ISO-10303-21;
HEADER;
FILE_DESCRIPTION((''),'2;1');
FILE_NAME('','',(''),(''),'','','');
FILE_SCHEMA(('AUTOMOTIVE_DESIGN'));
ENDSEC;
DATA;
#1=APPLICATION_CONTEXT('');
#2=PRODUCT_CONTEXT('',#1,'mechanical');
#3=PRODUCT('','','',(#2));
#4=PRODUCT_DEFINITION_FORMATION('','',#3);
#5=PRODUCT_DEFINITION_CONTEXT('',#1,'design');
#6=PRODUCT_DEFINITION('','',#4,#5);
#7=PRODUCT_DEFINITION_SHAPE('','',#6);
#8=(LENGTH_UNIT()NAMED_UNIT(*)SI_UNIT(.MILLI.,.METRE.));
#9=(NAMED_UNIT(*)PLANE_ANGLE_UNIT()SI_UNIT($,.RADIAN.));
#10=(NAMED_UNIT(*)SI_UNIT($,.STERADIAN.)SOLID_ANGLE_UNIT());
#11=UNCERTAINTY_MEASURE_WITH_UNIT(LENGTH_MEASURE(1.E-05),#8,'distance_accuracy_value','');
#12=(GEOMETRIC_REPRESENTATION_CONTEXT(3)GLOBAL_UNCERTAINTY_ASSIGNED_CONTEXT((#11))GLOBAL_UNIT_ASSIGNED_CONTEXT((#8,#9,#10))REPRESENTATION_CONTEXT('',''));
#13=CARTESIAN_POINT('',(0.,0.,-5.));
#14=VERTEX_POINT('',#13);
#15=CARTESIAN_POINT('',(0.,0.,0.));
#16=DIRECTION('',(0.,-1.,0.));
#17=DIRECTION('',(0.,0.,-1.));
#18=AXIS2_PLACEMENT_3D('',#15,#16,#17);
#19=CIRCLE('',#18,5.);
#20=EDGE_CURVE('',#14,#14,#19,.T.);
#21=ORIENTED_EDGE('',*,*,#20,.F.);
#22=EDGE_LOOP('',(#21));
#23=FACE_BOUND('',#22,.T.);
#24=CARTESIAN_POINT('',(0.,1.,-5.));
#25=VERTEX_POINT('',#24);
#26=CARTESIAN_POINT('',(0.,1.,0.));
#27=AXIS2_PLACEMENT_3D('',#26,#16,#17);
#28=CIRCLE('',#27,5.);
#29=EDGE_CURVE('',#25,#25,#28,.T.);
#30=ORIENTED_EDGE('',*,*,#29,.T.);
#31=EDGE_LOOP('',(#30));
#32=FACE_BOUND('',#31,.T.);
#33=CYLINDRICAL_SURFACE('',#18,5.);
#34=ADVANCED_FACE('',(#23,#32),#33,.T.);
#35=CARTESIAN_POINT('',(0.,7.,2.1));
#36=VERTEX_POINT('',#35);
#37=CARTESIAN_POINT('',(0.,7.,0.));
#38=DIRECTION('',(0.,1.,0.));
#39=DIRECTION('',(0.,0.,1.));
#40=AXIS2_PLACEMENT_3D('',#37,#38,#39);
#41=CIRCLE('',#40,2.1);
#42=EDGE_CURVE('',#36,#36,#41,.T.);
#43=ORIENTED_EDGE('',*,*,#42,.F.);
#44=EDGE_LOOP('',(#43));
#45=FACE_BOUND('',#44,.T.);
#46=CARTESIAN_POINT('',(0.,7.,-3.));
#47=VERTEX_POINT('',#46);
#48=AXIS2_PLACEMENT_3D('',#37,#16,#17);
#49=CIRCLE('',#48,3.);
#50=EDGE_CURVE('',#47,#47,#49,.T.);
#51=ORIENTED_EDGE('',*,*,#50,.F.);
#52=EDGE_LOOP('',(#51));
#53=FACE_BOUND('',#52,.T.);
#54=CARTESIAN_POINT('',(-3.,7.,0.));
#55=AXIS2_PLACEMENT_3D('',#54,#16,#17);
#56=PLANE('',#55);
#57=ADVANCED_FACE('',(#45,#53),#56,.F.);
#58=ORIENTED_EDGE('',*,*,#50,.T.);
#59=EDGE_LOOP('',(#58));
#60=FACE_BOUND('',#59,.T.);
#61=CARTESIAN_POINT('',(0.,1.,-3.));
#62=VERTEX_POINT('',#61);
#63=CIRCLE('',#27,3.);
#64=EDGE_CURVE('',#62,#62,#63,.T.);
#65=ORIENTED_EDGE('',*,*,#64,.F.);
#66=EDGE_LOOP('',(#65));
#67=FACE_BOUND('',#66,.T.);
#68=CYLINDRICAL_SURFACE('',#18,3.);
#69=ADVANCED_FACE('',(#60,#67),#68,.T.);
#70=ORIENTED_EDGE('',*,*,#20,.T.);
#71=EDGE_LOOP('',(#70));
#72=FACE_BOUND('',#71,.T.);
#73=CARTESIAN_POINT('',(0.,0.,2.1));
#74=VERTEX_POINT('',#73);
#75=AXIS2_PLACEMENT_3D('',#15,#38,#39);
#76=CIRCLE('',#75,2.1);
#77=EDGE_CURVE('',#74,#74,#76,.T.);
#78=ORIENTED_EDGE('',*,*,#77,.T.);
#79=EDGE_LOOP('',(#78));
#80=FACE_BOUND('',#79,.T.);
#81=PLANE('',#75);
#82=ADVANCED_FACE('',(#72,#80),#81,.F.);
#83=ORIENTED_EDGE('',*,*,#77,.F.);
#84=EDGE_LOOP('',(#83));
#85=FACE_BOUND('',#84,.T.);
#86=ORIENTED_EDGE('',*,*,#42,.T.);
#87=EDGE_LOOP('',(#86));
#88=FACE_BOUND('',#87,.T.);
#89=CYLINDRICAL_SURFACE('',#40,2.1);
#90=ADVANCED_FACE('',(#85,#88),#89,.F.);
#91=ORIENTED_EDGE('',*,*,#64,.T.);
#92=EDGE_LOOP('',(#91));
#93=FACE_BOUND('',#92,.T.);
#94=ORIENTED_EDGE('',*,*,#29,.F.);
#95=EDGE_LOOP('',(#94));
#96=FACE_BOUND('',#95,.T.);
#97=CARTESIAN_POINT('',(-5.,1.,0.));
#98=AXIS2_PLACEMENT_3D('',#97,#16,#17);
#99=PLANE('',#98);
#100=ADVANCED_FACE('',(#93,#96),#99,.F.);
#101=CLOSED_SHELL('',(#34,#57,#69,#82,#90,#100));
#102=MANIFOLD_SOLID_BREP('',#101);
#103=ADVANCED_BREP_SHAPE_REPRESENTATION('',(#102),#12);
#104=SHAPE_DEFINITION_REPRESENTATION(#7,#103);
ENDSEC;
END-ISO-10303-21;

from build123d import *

# Parameters (mm, degrees)
F_4_2MM_DOWEL_HOLE1_D = 4.2


with BuildPart() as part:
    # Sketch1 → Revolve1 (revolve)
    with BuildSketch(Plane.XY, mode=Mode.PRIVATE) as revolve1_sk:
        Polygon((0, 0), (-5, 0), (-5, 1), (-3, 1), (-3, 7), (0, 7), align=None)
    revolve(revolve1_sk.sketch.rotate(Axis((0, 0, 0), (0, 1, 0)), 270), axis=Axis((0, 0, 0), (0, 1, 0)))

    # Ø4.2mm Dowel Hole1 (through all)
    with Locations(Plane(origin=(0, 7, 0), x_dir=(1, 0, 0), z_dir=(0, 1, 0))):
        with Locations((0, 0)):
            Hole(F_4_2MM_DOWEL_HOLE1_D / 2)


solid = part.part
